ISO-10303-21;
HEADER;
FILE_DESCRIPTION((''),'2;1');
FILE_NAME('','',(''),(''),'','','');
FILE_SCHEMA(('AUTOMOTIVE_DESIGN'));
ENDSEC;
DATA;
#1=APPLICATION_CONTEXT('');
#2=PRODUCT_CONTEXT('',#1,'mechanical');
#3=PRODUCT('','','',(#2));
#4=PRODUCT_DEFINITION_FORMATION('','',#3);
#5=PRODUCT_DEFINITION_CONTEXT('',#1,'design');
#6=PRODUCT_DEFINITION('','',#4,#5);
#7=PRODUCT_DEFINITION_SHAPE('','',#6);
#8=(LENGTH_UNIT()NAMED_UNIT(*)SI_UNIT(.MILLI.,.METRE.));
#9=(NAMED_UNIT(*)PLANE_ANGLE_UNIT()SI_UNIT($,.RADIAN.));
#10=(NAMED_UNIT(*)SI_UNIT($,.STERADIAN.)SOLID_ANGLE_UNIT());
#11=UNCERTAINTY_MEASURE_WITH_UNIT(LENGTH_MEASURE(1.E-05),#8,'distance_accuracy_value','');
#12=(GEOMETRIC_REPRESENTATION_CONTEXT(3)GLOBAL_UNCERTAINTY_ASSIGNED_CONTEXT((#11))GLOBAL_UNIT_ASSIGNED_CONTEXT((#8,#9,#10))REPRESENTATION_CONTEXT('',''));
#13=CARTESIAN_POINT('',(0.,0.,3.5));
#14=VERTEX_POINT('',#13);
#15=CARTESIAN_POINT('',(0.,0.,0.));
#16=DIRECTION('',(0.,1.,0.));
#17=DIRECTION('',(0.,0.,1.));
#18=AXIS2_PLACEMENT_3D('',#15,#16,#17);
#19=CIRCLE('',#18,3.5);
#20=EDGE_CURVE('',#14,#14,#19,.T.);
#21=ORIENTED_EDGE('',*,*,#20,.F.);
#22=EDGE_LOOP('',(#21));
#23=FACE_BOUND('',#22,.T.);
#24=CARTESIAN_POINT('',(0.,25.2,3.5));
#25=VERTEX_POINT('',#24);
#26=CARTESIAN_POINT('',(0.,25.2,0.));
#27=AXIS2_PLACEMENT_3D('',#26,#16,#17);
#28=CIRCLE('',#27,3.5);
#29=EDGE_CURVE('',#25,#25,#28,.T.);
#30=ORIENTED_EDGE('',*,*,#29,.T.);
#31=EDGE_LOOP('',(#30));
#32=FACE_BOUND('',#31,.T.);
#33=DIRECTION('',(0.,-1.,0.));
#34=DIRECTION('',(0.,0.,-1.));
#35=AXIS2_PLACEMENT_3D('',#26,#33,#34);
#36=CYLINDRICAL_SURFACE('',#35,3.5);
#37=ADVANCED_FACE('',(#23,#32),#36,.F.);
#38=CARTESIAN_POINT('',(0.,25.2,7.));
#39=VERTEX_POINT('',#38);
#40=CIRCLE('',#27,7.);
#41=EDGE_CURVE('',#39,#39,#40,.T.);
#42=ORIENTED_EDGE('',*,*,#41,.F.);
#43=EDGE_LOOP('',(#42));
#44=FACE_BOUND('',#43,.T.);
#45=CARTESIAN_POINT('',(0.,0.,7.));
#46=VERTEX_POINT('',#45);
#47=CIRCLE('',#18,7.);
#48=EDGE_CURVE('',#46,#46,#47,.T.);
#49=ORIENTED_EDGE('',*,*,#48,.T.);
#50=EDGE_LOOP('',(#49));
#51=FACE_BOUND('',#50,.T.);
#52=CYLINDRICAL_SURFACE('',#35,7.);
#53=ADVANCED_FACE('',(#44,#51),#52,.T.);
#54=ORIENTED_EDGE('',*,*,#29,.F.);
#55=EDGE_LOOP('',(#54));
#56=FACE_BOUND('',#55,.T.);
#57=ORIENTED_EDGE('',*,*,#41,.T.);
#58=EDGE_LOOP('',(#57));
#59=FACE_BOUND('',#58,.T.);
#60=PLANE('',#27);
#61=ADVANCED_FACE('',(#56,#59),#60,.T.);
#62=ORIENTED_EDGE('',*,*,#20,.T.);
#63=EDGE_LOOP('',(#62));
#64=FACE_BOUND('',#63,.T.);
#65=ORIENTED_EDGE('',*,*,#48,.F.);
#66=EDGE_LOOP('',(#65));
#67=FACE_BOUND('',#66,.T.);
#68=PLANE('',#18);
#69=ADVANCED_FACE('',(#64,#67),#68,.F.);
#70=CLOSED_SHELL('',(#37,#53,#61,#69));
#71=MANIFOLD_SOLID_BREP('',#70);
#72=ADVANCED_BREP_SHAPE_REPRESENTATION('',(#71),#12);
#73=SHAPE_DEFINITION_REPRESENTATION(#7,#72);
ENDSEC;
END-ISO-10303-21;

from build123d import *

# Parameters (mm, degrees)
SKETCH_1_R      = 7
SKETCH_1_R_2    = 3.5
EXTRUDE_1_DEPTH = 25.2


with BuildPart() as part:
    # Эскиз1 → Вытянуть1 (new body)
    with BuildSketch(Plane(origin=(0, 0, 0), x_dir=(1, 0, 0), z_dir=(0, 1, 0))):
        with Locations(Location((0, 0, 0), (0, 0, 270))):
            Circle(SKETCH_1_R)
        with Locations(Location((0, 0, 0), (0, 0, 270))):
            Circle(SKETCH_1_R_2, mode=Mode.SUBTRACT)
    extrude(amount=EXTRUDE_1_DEPTH)


solid = part.part
